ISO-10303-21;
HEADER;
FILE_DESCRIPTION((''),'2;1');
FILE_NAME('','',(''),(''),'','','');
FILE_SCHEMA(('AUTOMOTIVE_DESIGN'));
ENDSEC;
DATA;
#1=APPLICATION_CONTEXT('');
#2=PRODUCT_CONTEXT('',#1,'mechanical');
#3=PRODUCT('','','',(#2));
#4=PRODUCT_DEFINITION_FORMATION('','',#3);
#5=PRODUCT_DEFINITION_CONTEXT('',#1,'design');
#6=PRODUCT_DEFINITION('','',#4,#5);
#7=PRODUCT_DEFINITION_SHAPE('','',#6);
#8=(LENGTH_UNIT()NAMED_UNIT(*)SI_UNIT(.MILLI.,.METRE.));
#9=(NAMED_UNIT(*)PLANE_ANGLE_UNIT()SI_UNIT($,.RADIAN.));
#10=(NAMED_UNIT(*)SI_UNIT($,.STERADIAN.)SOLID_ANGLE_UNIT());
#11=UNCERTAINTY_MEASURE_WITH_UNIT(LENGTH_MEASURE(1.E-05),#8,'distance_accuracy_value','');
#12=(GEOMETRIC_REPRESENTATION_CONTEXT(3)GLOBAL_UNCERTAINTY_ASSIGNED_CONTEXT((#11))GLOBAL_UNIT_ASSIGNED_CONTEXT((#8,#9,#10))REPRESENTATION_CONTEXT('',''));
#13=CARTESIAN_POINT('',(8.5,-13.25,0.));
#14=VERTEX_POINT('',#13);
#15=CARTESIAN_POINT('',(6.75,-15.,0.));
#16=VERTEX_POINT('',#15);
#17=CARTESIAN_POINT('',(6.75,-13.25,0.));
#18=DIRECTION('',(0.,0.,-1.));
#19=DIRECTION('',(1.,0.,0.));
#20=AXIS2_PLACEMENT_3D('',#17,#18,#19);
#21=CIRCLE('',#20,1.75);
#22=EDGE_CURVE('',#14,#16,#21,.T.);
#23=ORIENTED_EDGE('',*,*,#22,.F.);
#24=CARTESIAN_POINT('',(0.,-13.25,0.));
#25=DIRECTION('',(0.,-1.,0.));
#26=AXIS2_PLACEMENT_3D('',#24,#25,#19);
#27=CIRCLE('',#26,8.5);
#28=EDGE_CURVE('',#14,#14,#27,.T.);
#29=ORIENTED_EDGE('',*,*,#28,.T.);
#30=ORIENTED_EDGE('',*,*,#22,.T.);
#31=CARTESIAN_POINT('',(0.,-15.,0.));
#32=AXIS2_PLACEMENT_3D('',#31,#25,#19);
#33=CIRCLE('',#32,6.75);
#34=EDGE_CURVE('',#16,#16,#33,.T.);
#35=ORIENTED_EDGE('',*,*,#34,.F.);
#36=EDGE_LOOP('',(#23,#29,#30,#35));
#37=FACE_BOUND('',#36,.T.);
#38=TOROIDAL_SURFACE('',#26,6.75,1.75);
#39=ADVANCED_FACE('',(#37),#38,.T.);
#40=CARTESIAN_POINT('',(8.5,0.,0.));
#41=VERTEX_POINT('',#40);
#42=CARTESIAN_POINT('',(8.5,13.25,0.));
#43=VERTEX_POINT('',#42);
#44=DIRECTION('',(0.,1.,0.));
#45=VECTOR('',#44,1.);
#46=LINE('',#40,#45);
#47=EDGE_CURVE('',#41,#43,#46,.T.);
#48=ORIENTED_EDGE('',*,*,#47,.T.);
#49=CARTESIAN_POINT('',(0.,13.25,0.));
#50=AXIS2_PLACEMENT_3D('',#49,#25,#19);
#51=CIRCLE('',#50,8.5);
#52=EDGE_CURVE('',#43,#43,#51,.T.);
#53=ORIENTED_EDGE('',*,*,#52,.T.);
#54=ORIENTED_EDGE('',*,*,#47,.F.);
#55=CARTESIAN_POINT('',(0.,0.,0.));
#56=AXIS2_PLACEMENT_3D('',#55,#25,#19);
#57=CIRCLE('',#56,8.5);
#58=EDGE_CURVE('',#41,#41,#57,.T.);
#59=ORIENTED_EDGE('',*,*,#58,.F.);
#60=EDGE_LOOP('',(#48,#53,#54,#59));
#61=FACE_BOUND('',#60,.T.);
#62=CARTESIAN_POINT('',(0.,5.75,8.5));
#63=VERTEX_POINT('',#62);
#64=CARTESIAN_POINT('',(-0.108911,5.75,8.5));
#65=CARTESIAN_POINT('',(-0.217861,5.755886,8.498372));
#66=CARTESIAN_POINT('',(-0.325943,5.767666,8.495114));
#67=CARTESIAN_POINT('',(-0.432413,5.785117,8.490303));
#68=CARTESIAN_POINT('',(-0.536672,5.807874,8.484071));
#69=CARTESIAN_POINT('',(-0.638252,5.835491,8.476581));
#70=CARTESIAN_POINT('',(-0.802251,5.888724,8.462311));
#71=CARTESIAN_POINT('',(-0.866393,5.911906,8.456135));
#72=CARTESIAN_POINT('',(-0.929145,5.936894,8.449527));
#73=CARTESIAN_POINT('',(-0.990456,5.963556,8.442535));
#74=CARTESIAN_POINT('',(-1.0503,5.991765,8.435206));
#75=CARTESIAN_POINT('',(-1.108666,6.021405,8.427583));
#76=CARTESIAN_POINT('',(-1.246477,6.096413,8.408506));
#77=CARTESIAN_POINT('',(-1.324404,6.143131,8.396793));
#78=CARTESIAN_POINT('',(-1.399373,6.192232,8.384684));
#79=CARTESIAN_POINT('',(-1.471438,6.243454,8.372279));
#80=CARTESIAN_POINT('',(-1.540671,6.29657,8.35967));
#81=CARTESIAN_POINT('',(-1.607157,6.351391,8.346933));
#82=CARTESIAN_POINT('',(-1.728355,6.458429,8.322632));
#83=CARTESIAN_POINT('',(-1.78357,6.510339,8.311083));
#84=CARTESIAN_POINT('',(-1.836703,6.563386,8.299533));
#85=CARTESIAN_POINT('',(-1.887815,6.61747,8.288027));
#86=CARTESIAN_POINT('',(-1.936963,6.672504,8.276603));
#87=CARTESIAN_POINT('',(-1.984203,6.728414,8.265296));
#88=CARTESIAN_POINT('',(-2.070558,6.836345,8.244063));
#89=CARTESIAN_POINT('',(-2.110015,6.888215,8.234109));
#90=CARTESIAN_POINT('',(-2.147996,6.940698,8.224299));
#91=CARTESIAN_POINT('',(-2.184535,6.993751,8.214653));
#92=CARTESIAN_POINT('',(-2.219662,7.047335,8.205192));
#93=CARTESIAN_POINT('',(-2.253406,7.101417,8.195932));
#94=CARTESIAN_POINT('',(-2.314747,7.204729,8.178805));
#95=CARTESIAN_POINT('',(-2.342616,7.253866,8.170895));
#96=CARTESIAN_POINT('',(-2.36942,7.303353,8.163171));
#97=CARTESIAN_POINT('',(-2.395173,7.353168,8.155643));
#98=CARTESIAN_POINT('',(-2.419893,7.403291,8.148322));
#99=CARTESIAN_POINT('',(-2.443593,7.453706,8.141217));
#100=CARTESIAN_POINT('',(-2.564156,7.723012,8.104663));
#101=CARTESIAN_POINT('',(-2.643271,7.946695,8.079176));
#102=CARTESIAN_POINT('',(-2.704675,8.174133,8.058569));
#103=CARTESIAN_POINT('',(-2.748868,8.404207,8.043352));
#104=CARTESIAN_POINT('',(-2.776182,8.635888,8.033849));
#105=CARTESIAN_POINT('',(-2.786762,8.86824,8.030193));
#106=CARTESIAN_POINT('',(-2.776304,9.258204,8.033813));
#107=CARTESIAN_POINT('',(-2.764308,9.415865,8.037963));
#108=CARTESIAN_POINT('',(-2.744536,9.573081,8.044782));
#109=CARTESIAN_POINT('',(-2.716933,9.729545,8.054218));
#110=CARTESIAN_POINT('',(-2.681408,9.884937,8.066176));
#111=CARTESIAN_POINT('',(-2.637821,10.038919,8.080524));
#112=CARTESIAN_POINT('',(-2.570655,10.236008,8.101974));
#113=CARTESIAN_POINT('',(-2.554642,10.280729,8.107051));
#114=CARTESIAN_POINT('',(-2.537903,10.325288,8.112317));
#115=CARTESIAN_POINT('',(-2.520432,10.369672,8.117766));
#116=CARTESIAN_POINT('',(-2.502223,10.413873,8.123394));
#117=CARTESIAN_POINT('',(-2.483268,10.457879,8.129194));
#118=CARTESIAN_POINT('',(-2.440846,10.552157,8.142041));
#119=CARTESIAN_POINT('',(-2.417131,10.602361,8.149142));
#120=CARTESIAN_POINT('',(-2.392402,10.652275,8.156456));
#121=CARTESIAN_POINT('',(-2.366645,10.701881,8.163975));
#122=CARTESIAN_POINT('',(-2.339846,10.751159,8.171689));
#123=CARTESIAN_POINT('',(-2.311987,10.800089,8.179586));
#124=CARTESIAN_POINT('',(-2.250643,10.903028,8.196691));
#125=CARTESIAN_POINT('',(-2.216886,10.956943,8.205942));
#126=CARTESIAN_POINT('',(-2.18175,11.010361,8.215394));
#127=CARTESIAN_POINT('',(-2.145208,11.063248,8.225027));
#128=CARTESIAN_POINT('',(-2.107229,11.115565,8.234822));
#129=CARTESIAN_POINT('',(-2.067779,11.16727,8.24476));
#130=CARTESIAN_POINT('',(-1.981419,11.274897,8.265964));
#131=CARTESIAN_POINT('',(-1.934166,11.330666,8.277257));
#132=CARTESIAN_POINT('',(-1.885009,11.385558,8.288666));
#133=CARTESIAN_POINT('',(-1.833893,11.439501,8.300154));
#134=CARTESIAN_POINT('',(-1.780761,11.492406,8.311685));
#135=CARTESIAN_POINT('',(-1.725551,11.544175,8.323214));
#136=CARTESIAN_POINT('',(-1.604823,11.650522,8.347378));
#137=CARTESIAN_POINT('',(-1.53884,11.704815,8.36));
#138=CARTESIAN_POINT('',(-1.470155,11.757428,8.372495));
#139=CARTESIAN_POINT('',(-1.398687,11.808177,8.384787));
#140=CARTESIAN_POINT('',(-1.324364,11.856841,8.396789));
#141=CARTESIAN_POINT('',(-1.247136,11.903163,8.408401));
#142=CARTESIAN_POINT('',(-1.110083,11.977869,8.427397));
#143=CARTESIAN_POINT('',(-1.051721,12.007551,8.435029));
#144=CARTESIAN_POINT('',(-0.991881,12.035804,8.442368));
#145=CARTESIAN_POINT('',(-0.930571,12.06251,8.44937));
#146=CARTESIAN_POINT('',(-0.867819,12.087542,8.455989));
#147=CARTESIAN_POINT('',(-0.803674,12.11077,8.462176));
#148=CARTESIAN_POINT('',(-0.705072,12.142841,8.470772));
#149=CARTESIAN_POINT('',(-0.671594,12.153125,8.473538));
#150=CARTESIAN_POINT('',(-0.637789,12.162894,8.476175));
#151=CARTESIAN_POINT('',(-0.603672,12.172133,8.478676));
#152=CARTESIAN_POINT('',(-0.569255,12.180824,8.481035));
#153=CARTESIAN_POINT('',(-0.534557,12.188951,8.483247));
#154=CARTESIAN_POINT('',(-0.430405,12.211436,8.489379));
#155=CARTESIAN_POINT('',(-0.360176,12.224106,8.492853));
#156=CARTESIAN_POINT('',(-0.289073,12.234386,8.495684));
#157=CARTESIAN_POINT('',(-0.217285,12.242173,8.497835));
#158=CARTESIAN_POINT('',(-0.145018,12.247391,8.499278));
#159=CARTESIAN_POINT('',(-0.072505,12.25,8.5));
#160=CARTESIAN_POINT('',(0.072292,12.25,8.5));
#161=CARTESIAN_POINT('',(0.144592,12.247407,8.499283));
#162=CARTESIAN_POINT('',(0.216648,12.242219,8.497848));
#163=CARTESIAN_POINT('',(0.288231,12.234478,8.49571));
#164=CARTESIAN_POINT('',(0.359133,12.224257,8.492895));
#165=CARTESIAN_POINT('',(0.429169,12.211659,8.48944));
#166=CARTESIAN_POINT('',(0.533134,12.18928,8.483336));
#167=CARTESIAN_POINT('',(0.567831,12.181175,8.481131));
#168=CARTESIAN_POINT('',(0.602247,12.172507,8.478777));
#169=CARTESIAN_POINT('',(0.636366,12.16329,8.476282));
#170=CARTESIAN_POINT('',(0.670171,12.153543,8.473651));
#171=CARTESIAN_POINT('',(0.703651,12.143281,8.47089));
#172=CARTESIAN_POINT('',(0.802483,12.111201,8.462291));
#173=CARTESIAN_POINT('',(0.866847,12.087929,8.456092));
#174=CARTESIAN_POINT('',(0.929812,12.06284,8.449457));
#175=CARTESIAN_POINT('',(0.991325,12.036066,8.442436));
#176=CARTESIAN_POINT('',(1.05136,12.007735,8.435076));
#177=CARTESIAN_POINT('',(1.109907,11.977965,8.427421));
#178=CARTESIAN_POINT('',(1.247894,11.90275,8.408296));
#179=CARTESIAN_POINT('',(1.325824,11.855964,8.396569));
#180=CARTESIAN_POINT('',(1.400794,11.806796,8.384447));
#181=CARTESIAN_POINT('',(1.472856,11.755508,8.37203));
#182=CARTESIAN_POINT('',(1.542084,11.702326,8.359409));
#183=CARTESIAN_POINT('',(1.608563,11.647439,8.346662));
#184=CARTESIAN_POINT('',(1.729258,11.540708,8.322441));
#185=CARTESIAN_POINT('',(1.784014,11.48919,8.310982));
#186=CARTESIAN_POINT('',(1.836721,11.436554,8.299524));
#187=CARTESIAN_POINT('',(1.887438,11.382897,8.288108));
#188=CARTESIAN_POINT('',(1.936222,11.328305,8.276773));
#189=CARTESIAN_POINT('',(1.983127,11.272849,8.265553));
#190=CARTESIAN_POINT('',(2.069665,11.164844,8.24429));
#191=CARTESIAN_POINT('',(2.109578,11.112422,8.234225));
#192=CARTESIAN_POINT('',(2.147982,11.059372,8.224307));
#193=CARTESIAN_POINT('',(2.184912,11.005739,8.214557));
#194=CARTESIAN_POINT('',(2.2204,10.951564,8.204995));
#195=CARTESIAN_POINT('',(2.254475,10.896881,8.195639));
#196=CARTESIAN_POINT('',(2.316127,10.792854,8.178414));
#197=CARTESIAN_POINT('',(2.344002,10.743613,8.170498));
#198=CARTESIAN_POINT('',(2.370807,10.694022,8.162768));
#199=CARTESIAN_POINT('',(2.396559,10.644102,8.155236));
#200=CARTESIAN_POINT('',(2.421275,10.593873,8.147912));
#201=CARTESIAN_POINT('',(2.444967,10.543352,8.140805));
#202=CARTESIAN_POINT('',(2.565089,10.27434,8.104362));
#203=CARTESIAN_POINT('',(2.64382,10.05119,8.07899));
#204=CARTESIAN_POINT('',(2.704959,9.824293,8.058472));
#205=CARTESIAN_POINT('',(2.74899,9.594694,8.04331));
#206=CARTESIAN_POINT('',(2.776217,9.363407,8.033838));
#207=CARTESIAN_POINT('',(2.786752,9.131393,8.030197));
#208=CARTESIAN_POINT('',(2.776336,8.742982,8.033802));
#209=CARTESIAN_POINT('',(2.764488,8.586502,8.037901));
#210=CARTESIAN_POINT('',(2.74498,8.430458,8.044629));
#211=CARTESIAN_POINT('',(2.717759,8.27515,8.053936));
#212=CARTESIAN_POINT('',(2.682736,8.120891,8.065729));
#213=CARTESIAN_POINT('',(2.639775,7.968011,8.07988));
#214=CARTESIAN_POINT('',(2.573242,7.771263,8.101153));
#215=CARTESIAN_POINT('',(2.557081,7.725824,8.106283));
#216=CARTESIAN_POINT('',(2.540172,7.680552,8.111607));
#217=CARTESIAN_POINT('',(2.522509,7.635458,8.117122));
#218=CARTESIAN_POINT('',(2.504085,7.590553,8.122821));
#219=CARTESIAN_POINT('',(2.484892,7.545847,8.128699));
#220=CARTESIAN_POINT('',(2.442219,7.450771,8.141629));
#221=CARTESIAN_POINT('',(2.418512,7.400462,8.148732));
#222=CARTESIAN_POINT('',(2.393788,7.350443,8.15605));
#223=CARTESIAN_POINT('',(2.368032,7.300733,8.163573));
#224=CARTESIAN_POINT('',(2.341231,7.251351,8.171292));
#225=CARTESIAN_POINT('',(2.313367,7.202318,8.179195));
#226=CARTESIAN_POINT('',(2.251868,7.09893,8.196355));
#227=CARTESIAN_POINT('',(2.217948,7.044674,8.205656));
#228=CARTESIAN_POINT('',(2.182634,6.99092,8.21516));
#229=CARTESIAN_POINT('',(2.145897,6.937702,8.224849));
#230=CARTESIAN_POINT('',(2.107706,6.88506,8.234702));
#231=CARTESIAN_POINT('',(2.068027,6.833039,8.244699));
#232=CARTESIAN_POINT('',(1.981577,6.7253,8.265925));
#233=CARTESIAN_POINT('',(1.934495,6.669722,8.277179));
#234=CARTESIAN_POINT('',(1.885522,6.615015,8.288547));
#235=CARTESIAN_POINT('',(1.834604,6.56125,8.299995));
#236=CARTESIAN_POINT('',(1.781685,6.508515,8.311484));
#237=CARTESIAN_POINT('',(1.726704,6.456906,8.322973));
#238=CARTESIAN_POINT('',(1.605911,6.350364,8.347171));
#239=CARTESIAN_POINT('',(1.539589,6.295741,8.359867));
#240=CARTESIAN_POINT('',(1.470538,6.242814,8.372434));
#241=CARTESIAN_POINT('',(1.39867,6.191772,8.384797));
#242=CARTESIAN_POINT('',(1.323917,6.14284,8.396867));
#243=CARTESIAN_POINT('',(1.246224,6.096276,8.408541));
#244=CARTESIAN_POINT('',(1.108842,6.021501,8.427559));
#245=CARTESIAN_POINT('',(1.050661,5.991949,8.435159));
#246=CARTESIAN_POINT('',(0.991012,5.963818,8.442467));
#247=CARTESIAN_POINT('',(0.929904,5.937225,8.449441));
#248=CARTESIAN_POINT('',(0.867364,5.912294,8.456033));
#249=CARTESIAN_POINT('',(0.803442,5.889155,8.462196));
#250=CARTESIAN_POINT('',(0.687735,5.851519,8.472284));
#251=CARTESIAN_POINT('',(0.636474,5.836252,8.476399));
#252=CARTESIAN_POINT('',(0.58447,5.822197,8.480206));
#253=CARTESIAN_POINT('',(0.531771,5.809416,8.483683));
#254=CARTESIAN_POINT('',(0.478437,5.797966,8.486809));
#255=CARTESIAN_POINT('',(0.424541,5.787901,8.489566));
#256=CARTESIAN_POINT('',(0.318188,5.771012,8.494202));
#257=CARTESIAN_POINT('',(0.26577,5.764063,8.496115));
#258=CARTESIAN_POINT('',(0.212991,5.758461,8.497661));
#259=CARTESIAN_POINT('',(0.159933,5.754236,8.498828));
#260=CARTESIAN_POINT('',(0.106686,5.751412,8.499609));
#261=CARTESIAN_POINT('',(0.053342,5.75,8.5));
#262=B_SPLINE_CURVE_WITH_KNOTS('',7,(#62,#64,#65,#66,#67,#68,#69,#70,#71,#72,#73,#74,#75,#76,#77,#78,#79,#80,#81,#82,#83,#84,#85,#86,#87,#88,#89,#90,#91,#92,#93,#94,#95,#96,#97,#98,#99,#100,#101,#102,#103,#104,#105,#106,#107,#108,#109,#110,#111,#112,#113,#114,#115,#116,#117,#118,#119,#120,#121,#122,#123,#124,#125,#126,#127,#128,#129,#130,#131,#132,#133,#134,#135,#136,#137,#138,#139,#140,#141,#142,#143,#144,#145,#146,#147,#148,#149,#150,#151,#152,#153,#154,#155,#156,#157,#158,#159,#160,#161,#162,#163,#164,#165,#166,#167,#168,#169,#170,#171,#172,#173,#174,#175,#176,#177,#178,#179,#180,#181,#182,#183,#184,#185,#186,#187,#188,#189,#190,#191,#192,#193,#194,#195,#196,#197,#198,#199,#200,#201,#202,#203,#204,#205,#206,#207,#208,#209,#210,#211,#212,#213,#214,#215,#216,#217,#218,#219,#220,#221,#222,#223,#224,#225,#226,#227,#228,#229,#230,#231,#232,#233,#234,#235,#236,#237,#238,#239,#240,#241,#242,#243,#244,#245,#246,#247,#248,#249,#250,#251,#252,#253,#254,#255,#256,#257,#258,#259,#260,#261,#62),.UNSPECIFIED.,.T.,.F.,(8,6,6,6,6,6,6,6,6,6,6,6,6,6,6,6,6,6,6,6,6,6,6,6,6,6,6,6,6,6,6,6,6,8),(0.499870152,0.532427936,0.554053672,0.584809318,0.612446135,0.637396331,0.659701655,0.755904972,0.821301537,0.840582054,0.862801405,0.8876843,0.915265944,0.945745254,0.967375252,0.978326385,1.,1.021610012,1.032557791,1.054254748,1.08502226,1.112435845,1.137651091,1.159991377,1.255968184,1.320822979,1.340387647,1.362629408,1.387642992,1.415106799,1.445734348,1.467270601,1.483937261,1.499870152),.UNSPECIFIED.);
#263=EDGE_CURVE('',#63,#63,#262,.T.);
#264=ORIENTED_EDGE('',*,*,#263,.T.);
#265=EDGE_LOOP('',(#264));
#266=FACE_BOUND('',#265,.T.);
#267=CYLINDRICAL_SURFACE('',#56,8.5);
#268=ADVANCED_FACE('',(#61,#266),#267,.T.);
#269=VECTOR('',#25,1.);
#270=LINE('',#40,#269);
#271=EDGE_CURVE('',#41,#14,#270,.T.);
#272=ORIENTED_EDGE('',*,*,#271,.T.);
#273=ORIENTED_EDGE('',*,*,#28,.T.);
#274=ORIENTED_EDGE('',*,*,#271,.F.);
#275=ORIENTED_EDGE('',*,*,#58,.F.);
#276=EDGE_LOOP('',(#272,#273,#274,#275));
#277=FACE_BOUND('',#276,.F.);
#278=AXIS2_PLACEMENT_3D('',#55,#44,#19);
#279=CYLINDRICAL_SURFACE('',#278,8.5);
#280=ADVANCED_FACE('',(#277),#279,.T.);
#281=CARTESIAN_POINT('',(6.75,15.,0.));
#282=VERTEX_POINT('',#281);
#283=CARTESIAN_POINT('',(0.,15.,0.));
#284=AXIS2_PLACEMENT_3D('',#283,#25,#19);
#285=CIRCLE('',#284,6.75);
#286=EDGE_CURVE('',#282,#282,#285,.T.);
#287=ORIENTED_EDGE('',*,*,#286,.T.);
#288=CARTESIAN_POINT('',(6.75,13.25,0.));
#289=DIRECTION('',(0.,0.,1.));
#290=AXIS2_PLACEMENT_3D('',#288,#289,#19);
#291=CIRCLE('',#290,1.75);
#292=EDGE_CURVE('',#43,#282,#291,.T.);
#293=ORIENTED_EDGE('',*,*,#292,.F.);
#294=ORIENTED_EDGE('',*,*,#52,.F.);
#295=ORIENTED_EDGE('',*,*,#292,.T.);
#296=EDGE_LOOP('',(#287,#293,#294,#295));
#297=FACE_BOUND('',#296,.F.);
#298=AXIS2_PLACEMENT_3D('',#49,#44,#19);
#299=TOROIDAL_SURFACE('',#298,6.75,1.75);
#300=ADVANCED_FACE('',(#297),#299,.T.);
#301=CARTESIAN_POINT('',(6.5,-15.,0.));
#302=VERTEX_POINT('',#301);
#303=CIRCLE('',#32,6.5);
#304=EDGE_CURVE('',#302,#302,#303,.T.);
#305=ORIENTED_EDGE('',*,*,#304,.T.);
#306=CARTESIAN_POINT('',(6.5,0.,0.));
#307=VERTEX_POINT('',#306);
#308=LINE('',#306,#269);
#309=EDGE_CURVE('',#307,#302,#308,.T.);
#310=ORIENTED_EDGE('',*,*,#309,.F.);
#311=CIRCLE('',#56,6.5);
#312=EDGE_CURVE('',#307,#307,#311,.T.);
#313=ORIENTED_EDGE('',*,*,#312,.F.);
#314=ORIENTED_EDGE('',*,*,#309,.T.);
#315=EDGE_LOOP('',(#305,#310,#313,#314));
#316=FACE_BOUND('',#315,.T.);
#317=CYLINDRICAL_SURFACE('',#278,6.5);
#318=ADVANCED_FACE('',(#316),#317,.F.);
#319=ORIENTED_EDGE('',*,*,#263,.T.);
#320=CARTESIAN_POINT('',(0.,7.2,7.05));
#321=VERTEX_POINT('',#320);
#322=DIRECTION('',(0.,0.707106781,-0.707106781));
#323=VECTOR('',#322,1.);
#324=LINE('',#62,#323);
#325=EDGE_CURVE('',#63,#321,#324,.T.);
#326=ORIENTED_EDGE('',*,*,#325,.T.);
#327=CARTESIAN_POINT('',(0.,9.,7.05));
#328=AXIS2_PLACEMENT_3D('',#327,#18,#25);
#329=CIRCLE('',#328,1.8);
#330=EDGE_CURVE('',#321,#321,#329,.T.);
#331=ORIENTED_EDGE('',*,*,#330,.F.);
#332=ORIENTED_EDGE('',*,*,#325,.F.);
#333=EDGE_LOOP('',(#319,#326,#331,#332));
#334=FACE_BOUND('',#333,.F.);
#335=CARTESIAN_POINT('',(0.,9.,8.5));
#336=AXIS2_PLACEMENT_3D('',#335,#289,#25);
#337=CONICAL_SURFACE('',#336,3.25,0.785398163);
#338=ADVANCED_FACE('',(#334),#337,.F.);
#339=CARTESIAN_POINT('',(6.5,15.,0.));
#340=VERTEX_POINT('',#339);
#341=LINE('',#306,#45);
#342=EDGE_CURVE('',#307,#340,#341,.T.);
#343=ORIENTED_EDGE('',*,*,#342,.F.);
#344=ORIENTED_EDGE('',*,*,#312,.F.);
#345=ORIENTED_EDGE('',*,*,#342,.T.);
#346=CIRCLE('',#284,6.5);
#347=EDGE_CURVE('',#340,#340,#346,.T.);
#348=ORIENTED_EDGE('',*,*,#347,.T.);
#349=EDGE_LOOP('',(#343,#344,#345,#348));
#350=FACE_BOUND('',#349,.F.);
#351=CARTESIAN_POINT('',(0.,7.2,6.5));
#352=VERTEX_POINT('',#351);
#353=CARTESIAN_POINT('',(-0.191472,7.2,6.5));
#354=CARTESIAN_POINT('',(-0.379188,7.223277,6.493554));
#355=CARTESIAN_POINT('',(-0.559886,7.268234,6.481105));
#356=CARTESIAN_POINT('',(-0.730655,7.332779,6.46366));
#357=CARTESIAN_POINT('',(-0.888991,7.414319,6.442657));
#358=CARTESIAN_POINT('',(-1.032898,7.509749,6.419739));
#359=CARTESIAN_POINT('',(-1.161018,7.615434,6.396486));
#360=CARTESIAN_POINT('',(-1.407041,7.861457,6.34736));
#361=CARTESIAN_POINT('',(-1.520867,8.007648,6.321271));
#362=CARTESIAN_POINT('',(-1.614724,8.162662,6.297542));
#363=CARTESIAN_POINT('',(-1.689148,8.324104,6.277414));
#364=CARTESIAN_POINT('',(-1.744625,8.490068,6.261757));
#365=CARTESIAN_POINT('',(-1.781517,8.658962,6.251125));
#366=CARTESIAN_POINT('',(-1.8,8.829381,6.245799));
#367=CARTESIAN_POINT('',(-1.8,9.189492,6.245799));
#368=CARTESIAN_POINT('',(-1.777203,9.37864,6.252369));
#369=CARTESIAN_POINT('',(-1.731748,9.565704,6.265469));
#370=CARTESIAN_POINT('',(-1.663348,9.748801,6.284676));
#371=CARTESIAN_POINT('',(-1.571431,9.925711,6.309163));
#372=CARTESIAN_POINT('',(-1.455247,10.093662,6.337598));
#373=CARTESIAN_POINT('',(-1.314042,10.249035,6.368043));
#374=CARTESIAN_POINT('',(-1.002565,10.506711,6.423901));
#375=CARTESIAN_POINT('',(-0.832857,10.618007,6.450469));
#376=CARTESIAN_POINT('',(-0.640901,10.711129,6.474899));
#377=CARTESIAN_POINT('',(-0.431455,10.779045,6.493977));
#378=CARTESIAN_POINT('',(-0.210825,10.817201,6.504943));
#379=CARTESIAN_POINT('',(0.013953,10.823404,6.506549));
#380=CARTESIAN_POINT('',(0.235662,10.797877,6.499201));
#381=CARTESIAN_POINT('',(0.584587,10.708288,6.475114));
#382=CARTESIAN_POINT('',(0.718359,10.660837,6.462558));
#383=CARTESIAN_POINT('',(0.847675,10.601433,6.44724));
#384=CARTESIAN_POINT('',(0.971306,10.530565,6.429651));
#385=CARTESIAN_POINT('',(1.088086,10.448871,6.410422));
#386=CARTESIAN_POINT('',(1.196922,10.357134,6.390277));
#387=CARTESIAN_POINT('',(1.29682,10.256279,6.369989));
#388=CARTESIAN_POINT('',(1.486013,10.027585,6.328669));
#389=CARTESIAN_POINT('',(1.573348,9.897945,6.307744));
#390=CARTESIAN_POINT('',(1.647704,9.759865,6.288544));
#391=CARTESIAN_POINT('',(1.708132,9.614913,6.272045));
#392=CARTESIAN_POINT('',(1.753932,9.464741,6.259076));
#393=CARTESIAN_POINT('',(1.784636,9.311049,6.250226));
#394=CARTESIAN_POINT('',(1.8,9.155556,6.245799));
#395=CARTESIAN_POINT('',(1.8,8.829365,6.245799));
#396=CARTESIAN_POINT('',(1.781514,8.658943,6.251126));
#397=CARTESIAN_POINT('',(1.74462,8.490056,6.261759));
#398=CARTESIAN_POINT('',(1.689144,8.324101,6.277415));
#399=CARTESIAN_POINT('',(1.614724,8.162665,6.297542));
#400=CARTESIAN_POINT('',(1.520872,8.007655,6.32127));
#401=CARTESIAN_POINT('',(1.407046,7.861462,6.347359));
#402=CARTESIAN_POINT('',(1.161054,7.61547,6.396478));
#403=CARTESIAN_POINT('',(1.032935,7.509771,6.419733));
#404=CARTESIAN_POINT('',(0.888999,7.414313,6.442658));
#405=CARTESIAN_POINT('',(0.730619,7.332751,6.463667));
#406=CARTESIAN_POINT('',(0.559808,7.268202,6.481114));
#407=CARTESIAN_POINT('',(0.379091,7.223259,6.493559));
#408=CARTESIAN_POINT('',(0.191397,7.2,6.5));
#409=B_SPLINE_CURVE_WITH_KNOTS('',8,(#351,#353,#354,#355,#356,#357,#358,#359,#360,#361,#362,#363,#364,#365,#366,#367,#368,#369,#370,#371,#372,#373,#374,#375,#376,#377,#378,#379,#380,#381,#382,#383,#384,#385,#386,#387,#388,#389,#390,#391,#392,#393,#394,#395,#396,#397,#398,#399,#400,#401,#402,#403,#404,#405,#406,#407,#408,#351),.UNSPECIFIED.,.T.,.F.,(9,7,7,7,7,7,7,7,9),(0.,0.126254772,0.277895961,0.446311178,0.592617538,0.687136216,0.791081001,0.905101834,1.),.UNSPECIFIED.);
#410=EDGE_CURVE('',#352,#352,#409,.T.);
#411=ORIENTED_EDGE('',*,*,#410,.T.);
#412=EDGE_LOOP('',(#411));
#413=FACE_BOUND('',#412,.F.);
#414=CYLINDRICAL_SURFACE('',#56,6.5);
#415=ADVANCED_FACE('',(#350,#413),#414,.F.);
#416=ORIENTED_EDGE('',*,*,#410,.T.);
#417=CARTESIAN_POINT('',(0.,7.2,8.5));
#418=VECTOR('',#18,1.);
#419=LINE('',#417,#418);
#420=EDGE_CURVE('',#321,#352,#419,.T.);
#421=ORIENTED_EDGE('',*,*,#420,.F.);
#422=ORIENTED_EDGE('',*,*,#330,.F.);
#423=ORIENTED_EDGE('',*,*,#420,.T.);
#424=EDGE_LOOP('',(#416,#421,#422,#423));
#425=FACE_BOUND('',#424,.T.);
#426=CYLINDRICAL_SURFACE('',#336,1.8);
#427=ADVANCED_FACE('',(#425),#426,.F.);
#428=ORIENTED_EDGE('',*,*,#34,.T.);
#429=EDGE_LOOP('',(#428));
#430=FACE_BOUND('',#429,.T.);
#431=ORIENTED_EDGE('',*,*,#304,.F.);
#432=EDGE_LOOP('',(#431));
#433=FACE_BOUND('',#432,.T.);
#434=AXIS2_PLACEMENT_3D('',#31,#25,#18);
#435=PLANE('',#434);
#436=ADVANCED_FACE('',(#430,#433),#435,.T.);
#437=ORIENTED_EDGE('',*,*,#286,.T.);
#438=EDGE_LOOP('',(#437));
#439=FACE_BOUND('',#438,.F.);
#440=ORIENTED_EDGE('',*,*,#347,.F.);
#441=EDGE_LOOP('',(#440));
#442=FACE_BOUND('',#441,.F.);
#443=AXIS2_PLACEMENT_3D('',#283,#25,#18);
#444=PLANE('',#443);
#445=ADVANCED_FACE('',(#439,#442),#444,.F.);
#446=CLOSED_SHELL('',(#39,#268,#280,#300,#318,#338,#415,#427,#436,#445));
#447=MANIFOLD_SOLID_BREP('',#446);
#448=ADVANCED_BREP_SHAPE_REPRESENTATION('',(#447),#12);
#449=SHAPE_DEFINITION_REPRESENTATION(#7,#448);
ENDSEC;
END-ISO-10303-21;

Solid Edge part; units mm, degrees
sketch "Sketch1" plane through (0, 0, 0) normal (0, -1, 0) x (1, 0, 0)
  circle A0 centre (0, 0) radius 6.5
  circle A1 centre (0, 0) radius 8.5
  dimension "D1" = 13
  dimension "D2" = 17
extrude "Protrusion1" add sketch "Sketch1" along normal mid plane 30
fillet "Verrundung_1" radius 1.75 2 edges at (-8.5, 15, 0) (-8.5, -15, 0)
hole "Bohrung_2" at (0, 9, 8.5) direction (0, 0, -1) diameter 3.6 end up to next countersink diameter 6.5 countersink angle 90
properties material "Aluminiumlegierung:3.0205, Al 99.0, EN-AW 1200"
